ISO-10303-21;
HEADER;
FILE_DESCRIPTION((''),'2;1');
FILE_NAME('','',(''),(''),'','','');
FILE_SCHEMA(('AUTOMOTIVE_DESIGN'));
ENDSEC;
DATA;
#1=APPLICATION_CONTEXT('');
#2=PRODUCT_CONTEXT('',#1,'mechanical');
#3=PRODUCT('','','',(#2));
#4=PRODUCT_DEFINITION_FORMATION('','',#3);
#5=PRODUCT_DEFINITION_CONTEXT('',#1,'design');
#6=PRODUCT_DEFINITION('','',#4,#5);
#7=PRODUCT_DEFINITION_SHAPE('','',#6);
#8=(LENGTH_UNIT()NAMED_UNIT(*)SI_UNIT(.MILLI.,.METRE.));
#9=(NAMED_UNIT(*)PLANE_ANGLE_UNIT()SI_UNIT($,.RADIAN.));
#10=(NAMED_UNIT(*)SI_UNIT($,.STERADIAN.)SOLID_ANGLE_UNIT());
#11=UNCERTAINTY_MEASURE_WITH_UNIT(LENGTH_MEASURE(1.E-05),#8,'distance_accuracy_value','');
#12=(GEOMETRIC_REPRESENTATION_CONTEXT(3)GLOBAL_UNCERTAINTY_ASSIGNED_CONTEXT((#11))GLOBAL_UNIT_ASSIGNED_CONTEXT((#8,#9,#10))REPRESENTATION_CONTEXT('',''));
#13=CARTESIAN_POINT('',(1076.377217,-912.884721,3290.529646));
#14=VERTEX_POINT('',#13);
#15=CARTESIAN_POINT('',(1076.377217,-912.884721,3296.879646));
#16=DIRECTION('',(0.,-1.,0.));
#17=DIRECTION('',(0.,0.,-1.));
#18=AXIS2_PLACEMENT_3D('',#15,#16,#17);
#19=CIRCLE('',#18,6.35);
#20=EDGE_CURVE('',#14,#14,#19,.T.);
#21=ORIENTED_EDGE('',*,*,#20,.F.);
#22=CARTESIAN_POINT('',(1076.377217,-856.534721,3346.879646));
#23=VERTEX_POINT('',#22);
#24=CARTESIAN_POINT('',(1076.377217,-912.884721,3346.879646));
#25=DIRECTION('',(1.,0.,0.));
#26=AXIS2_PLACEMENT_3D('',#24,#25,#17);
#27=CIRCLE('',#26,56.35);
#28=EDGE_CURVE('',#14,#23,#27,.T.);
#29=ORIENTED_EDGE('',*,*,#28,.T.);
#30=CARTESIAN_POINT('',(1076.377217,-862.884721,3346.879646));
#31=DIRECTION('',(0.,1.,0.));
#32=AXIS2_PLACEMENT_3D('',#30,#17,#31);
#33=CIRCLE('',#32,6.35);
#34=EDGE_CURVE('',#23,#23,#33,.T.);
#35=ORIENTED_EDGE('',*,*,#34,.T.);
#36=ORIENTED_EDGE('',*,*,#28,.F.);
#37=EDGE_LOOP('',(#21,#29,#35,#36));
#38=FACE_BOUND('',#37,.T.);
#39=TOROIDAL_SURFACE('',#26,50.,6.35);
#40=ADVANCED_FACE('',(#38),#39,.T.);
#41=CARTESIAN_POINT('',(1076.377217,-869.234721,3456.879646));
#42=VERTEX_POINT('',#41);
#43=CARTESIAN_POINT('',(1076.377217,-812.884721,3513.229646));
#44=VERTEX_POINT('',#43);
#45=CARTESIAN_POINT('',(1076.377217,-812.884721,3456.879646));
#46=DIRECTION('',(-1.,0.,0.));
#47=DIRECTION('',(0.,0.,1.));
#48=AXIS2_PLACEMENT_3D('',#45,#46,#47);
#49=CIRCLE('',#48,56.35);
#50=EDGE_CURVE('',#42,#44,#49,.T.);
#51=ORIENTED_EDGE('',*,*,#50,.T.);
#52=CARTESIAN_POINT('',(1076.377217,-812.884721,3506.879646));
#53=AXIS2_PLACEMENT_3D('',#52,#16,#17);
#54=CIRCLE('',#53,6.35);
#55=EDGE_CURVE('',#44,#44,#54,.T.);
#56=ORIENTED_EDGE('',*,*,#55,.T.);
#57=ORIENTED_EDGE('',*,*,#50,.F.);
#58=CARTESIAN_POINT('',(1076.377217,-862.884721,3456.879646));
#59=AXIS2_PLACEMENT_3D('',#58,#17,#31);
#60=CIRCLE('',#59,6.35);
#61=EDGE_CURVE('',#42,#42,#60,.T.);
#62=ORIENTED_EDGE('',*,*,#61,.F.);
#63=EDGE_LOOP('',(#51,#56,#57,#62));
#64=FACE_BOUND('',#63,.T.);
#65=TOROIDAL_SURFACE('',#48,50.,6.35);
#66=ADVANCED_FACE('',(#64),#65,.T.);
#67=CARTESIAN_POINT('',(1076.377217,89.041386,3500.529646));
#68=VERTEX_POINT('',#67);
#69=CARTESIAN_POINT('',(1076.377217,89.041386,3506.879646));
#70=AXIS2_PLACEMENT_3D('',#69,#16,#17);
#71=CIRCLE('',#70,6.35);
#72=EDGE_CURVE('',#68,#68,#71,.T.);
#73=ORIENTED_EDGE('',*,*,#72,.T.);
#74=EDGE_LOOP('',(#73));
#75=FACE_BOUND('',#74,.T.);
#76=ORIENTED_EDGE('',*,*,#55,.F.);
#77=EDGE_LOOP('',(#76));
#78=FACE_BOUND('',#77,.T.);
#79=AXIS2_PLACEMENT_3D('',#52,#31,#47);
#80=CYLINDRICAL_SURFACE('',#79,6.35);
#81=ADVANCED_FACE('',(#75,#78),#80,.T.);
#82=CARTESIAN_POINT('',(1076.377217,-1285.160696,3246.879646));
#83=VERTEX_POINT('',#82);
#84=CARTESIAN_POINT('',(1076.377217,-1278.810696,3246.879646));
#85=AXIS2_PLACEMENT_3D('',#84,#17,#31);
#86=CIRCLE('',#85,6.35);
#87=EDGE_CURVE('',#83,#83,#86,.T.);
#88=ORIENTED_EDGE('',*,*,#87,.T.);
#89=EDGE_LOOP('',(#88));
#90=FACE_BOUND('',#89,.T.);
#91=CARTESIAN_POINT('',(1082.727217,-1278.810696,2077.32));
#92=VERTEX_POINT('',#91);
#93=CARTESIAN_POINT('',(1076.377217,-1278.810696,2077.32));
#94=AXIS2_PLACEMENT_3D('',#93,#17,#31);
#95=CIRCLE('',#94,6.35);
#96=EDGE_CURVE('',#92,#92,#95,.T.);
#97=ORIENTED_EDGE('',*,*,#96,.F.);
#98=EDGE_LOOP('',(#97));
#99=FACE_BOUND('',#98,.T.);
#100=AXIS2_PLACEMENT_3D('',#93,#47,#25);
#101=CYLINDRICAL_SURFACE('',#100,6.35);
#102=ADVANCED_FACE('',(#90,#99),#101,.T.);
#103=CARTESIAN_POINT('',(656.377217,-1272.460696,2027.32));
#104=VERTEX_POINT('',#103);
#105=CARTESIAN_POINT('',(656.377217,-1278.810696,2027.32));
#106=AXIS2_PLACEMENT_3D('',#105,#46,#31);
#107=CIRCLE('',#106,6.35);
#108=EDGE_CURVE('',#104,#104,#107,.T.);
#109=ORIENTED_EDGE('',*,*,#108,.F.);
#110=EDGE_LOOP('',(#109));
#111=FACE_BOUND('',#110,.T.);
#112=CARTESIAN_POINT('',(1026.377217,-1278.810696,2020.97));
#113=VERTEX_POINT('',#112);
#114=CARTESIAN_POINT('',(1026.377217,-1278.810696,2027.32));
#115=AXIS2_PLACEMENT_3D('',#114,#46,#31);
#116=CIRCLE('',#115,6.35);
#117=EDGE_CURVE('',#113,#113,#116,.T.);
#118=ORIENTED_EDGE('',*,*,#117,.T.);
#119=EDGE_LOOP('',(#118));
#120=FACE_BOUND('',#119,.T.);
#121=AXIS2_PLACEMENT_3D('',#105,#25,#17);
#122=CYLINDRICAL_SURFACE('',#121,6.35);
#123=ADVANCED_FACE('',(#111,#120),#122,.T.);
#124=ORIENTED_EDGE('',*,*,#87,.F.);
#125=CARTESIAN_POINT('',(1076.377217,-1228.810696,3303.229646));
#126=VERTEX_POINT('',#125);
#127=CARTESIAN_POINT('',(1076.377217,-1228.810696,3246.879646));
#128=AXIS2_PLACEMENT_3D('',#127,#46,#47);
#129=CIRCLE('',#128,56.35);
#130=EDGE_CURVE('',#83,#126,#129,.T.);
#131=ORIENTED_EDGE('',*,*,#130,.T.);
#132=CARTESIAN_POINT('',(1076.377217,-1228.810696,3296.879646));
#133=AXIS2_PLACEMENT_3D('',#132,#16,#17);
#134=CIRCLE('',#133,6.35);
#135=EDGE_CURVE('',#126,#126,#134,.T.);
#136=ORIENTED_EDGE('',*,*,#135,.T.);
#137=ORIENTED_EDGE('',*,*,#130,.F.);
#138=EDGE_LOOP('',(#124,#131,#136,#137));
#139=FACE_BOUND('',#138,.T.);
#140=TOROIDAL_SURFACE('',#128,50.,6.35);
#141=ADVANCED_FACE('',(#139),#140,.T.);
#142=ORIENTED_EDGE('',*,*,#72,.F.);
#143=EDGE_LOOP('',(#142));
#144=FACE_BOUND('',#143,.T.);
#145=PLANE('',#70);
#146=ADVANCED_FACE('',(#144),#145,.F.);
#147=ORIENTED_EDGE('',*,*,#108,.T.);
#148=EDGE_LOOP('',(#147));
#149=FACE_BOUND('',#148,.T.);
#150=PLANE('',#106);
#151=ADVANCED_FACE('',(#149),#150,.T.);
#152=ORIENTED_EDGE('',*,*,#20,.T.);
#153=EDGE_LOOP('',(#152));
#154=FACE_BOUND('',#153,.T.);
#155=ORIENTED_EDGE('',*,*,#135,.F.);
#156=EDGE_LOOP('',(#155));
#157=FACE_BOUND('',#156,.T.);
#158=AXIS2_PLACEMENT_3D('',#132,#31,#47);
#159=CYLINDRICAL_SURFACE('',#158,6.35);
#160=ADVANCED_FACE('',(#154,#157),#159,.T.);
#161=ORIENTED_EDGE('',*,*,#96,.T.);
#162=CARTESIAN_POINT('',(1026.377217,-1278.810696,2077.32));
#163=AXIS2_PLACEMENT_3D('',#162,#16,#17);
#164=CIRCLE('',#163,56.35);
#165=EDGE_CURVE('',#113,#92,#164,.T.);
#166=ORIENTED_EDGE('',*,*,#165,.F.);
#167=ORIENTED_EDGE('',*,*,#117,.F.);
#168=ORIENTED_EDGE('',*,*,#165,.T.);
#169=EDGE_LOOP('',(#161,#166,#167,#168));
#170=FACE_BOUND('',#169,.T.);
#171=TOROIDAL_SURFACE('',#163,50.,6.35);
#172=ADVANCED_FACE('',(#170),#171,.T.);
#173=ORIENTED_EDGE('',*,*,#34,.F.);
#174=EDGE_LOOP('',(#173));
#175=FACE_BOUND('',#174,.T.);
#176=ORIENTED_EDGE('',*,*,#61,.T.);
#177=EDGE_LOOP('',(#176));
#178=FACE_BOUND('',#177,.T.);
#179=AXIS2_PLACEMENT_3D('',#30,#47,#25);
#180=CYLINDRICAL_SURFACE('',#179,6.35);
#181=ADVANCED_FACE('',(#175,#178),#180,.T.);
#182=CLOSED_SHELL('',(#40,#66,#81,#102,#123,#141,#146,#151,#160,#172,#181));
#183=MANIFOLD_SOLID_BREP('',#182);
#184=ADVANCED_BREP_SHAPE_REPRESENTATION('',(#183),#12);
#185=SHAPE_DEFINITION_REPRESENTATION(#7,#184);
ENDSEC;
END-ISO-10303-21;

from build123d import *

# Parameters (mm, degrees)
BARRER2_PROFILE_R = 6.35


with BuildPart() as part:
    # Barrer2: sweep along a curve in space
    with BuildLine() as barrer2_path:
        Line((656.377216768, -1278.810695772, 2027.32), (1026.377216768, -1278.810695772, 2027.32))
        ThreePointArc((1026.377216768, -1278.810695772, 2027.32), (1061.732555827, -1278.810695772, 2041.964660941), (1076.377216768, -1278.810695772, 2077.32))
        Line((1076.377216768, -1278.810695772, 2077.32), (1076.377216768, -1278.810695772, 3246.879646339))
        ThreePointArc((1076.377216768, -1278.810695772, 3246.879646339), (1076.377216768, -1264.166034831, 3282.234985398), (1076.377216768, -1228.810695772, 3296.879646339))
        Line((1076.377216768, -1228.810695772, 3296.879646339), (1076.377216768, -912.884720839, 3296.879646339))
        ThreePointArc((1076.377216768, -912.884720839, 3296.879646339), (1076.377216768, -877.52938178, 3311.524307279), (1076.377216768, -862.884720839, 3346.879646339))
        Line((1076.377216768, -862.884720839, 3346.879646339), (1076.377216768, -862.884720839, 3456.879646339))
        ThreePointArc((1076.377216768, -862.884720839, 3456.879646339), (1076.377216768, -848.240059899, 3492.234985398), (1076.377216768, -812.884720839, 3506.879646339))
        Line((1076.377216768, -812.884720839, 3506.879646339), (1076.377216768, 89.041385613, 3506.879646339))
    # Barrer2 profile (on start of the path) → Barrer2 (sweep)
    with BuildSketch(Plane(origin=(656.377216768, -1278.810695772, 2027.32), x_dir=(0, 0, 1), z_dir=(1, 0, 0))):
        Circle(BARRER2_PROFILE_R)
    sweep(path=barrer2_path.line)


solid = part.part
